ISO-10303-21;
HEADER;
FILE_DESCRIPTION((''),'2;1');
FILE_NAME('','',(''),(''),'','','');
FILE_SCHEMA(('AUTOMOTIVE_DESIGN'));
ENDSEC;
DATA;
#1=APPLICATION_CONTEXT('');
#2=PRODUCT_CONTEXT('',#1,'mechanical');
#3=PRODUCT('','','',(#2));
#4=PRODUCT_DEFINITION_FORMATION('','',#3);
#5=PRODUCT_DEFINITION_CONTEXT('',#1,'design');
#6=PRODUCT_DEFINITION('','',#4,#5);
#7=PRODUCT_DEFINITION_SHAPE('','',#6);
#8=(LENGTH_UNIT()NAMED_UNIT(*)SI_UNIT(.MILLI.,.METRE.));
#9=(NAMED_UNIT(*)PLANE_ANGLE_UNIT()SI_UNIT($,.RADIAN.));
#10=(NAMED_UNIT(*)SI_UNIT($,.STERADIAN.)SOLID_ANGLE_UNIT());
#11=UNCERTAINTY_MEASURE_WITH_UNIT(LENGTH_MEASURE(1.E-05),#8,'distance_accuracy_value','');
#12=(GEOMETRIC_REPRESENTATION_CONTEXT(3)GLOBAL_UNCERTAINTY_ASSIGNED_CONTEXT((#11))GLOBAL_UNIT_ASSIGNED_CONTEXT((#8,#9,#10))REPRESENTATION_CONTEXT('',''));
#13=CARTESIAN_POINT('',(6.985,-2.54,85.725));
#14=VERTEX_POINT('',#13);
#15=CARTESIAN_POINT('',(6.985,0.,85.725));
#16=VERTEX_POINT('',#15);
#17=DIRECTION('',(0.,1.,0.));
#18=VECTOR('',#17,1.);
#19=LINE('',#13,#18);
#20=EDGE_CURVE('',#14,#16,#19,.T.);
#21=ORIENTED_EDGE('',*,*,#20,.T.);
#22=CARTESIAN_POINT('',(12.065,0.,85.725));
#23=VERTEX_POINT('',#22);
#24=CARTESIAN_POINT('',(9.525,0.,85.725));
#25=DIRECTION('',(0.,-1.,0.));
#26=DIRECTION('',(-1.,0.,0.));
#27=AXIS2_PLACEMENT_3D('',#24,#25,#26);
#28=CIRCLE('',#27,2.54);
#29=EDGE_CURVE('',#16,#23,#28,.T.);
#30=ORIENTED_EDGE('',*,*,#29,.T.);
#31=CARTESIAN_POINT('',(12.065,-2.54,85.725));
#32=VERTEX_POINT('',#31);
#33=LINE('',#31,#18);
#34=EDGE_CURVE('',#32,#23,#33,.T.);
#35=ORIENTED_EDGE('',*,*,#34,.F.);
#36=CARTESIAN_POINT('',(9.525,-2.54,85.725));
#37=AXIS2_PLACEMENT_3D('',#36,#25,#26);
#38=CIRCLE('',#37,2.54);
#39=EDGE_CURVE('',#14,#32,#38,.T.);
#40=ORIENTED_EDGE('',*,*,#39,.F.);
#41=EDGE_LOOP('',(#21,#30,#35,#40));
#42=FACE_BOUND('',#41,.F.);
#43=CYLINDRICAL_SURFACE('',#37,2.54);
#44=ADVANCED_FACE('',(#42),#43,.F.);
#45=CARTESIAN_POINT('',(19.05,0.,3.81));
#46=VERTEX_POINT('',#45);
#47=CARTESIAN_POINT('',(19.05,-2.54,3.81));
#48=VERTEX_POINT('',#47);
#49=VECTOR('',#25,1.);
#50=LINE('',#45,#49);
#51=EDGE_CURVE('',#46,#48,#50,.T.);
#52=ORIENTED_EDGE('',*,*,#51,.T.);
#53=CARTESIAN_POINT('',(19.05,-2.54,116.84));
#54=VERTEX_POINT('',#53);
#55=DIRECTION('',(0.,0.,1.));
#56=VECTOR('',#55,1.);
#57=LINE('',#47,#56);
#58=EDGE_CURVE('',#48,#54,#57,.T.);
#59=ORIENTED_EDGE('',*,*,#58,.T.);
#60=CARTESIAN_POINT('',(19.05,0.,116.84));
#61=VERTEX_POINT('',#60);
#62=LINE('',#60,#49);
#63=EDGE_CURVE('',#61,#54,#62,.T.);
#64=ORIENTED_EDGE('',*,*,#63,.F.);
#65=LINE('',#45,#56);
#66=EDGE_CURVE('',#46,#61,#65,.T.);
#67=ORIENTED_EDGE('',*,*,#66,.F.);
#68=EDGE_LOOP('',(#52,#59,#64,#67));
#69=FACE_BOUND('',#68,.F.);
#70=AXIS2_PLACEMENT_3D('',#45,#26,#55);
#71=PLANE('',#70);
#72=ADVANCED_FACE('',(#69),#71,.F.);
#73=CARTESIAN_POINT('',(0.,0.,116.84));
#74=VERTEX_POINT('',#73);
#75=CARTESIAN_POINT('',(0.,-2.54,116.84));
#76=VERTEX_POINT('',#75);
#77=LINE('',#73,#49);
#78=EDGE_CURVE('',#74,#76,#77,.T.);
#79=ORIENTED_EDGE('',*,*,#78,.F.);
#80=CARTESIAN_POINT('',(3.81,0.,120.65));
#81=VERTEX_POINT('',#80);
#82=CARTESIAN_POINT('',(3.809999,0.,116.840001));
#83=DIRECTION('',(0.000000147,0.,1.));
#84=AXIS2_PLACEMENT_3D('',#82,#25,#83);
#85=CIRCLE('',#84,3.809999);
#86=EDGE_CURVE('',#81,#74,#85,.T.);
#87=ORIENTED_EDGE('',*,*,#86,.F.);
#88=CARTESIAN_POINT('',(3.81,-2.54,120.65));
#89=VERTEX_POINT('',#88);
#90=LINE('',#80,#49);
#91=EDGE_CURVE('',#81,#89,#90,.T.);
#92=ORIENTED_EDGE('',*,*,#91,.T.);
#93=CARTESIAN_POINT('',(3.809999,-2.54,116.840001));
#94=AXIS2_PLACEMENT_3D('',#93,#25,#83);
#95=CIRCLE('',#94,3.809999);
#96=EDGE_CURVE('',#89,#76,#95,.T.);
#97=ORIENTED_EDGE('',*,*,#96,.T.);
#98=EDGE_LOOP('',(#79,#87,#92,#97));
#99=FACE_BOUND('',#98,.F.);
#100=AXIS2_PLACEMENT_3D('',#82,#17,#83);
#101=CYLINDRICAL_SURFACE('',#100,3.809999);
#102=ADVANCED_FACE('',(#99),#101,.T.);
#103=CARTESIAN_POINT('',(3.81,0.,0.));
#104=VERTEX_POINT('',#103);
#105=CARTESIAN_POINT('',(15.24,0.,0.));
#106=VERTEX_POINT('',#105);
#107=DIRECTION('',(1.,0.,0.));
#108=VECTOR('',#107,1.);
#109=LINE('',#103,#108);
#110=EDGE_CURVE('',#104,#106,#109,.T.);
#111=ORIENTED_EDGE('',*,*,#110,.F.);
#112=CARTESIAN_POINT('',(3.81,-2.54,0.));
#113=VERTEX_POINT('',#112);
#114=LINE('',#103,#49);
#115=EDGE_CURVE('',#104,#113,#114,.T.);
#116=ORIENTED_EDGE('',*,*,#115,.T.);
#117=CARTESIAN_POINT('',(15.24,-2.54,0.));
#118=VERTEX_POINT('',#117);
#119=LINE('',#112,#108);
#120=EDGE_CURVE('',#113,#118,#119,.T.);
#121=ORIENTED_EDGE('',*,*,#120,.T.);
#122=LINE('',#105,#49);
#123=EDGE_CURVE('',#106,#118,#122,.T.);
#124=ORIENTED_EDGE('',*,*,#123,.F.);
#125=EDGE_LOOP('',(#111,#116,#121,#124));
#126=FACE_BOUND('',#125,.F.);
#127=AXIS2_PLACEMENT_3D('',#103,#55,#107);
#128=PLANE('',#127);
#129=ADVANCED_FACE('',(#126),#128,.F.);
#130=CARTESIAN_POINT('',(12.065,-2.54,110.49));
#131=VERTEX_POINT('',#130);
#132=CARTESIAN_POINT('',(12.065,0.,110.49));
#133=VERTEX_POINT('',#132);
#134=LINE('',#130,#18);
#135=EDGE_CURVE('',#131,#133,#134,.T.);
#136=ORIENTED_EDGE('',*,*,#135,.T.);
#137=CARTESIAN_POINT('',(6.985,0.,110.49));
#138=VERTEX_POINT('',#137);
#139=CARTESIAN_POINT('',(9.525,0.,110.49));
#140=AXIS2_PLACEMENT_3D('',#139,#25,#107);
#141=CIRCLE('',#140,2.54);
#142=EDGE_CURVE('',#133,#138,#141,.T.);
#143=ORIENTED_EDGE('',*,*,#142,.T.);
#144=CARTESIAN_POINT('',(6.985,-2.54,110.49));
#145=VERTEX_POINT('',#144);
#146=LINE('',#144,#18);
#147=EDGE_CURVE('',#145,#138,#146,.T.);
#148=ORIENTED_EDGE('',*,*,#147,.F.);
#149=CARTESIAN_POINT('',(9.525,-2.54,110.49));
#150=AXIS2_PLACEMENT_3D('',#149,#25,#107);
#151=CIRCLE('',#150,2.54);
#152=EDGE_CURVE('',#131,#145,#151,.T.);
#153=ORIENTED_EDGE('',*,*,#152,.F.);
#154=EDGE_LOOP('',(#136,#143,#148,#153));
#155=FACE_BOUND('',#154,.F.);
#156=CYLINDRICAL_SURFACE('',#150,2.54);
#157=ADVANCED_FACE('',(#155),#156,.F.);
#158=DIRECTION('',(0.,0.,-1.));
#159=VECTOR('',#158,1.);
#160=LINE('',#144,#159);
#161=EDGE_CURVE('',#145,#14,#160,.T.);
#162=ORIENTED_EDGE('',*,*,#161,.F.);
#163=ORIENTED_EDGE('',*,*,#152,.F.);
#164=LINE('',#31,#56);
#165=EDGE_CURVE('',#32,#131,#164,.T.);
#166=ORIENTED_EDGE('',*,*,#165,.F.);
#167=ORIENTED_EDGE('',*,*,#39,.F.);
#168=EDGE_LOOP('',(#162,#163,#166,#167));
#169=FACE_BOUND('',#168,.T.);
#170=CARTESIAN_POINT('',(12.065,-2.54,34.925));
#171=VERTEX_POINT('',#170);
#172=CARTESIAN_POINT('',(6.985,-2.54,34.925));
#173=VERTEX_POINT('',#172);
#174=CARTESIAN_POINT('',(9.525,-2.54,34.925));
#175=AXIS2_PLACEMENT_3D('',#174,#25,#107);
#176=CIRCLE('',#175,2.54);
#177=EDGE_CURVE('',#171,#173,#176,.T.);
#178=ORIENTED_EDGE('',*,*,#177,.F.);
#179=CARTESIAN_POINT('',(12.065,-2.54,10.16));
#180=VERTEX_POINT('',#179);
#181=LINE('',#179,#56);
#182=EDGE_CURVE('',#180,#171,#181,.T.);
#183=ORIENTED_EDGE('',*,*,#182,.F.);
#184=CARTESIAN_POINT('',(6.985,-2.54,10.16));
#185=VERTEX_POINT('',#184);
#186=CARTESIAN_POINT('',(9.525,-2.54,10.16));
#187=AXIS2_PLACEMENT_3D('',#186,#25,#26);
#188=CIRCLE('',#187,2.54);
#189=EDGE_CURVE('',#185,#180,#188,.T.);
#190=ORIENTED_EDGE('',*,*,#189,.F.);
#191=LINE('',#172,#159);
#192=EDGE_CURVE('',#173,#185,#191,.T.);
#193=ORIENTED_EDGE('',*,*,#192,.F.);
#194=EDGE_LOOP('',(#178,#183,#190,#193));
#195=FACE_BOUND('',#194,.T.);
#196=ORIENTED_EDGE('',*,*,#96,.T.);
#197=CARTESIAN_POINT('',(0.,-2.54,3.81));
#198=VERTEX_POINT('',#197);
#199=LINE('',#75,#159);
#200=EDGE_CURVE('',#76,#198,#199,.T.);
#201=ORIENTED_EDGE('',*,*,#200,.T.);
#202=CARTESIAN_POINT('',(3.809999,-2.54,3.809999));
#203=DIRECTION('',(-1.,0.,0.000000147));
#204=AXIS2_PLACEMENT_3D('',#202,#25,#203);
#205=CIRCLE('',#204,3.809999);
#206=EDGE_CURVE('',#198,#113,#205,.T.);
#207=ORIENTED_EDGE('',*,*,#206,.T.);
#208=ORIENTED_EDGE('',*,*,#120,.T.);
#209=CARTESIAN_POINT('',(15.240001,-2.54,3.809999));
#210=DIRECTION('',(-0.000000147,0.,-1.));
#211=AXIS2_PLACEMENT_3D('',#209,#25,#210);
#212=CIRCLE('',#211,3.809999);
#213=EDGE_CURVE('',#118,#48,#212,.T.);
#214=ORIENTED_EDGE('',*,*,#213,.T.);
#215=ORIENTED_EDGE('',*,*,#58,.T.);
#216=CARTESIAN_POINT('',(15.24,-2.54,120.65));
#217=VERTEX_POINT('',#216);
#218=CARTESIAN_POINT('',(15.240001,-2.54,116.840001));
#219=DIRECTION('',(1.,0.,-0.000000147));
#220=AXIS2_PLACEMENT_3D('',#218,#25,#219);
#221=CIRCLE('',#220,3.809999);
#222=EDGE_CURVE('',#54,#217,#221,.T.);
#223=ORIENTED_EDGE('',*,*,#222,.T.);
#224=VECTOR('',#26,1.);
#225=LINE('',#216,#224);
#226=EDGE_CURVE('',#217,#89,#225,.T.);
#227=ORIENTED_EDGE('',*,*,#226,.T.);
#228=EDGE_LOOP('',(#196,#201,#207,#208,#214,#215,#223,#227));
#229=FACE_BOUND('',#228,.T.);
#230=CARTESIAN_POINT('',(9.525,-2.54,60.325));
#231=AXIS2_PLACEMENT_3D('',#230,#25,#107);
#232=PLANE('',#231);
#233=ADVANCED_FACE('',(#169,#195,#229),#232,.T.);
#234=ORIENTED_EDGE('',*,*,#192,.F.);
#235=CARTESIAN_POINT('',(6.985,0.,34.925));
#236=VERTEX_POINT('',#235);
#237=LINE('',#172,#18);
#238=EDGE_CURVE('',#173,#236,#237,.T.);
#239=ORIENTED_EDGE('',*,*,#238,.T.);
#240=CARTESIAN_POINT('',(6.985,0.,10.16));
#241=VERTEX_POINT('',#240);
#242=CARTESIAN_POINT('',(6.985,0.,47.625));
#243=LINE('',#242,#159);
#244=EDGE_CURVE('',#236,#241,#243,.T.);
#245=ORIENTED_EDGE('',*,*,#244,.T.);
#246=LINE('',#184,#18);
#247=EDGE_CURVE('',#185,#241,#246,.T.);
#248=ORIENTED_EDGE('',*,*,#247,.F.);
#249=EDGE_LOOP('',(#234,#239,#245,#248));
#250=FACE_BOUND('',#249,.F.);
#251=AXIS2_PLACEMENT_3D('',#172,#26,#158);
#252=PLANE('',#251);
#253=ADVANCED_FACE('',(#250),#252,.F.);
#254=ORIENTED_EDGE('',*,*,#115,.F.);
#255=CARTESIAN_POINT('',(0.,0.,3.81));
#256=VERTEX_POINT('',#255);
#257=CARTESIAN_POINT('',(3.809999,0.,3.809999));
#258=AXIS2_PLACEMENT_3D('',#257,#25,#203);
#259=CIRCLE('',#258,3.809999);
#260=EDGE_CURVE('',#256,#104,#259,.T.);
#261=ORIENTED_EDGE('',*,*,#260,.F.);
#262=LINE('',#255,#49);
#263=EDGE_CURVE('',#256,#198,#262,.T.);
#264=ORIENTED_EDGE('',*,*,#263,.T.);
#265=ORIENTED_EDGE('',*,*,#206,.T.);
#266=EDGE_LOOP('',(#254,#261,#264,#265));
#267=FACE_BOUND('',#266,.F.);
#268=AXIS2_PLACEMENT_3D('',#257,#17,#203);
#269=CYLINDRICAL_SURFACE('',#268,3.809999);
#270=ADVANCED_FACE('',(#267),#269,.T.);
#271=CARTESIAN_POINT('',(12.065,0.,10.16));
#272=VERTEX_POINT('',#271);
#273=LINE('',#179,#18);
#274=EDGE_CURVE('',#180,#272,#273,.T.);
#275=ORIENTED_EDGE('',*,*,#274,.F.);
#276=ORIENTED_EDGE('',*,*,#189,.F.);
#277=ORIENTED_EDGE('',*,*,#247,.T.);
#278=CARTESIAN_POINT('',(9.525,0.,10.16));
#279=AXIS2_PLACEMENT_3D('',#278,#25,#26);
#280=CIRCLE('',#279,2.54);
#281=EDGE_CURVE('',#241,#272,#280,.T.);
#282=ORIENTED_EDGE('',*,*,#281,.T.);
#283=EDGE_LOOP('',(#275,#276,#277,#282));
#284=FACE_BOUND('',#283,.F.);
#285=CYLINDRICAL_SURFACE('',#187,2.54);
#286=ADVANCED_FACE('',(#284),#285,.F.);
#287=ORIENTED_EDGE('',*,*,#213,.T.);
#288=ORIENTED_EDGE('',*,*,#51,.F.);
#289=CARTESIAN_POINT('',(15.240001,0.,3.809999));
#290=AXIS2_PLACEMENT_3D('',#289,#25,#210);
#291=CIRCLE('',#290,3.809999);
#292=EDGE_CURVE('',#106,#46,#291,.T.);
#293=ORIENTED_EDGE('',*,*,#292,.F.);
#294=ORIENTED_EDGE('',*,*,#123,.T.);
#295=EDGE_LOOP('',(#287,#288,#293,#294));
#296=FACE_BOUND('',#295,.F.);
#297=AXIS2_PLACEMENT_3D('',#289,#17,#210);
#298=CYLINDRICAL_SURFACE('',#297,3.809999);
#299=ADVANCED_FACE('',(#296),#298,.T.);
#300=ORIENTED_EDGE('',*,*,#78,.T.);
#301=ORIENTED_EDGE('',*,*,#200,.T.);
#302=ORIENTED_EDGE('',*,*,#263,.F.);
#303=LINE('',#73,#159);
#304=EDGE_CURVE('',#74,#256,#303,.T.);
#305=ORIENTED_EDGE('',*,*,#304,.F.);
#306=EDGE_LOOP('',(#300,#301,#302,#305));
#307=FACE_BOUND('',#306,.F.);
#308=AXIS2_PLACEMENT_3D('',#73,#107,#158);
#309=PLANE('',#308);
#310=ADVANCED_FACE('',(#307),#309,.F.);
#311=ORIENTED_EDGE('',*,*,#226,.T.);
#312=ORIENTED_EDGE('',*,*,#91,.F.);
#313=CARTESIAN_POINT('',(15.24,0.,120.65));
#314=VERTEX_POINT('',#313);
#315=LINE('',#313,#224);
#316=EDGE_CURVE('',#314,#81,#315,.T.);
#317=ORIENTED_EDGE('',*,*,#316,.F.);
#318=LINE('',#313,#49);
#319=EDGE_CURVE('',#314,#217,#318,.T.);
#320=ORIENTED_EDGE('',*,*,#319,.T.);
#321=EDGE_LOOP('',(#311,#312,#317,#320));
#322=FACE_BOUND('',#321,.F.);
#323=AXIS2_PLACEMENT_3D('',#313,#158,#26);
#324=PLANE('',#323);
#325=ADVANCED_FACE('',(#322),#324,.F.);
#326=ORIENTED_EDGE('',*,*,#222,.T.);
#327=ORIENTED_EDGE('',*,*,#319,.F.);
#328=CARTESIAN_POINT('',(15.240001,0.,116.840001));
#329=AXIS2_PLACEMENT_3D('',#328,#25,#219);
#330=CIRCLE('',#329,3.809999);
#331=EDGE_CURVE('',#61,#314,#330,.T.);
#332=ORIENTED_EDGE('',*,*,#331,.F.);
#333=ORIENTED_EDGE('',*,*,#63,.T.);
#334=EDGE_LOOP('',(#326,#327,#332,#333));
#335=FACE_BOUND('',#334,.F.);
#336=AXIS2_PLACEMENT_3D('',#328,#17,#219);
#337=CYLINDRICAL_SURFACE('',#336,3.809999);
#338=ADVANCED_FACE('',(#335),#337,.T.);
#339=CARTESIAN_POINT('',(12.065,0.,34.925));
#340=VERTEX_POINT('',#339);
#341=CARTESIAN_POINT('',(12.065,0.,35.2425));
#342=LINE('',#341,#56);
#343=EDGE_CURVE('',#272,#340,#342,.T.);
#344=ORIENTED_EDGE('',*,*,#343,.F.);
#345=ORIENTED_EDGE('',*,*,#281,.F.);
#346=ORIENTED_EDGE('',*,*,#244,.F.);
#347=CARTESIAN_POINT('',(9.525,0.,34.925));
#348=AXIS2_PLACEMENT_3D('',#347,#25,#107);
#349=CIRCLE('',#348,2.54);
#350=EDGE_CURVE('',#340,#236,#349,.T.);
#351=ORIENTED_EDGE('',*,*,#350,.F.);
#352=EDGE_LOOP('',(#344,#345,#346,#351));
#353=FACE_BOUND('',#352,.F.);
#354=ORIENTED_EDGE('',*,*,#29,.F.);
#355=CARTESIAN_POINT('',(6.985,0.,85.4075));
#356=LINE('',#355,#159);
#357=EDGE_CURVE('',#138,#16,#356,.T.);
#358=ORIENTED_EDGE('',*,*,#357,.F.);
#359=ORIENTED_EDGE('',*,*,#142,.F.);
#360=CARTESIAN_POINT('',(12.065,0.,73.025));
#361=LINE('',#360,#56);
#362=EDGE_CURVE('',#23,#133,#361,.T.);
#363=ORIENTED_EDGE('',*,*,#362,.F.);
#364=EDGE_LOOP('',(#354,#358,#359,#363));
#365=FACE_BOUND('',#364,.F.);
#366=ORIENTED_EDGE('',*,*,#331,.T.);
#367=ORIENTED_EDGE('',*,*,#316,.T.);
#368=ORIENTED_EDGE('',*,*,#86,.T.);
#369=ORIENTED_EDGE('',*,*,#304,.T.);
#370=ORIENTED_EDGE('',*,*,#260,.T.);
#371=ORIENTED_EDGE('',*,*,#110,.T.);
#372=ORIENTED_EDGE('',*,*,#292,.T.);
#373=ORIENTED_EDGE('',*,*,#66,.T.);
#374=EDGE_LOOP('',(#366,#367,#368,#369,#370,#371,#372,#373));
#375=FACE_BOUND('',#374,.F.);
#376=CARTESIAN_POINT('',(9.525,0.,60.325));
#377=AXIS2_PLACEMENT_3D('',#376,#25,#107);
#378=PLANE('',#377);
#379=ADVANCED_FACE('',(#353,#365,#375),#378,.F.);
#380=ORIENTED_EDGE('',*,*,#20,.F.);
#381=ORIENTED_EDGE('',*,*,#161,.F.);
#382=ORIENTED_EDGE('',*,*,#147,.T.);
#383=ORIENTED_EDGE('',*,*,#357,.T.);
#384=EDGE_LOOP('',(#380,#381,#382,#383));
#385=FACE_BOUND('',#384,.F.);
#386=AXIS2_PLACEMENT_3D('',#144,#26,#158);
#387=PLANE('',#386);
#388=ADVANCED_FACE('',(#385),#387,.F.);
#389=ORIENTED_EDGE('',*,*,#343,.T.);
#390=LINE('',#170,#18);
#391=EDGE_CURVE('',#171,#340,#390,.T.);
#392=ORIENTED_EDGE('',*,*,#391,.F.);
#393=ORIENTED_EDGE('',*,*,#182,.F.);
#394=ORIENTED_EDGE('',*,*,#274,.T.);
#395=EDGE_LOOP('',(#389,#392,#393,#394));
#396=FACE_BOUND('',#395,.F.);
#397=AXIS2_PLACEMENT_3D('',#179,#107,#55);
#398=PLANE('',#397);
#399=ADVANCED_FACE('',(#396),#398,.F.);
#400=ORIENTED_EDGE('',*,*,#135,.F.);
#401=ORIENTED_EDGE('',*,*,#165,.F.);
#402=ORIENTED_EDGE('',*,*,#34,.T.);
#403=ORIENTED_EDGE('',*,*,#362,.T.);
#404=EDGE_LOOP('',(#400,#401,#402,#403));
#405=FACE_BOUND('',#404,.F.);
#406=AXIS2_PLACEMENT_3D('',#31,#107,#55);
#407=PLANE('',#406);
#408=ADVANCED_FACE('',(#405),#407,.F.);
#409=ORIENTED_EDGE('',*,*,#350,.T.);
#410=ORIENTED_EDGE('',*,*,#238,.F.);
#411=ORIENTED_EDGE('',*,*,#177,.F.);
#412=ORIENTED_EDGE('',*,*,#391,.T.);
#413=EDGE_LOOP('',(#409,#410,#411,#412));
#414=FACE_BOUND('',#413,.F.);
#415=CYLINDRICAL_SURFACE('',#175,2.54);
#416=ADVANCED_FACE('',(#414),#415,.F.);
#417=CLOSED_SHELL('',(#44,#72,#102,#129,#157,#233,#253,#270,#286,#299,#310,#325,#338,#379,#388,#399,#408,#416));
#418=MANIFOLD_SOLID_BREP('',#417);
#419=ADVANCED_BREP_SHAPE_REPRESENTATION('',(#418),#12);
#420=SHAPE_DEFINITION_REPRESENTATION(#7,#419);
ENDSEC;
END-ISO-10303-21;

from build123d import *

# Parameters (mm, degrees)
F1_DEPTH = 2.54
F3_DEPTH = 2.541


with BuildPart() as f1:
    # F0 (on Front) → F1 (new body)
    with BuildSketch(Plane.XZ):
        with BuildLine():
            ThreePointArc((0, 3.81), (1.115923, 1.115923), (3.81, 0))
            Line((3.81, 0), (15.24, 0))
            ThreePointArc((15.24, 0), (17.934077, 1.115923), (19.05, 3.81))
            Line((19.05, 3.81), (19.05, 116.84))
            ThreePointArc((19.05, 116.84), (17.934077, 119.534077), (15.24, 120.65))
            Line((15.24, 120.65), (3.81, 120.65))
            ThreePointArc((3.81, 120.65), (1.115923, 119.534077), (0, 116.84))
            Line((0, 116.84), (0, 3.81))
        make_face()
    extrude(amount=F1_DEPTH)

    # F2 (on face) → F3 (cut, through all)
    with BuildSketch(Plane.XZ.offset(2.54)):
        with BuildLine():
            ThreePointArc((12.065, 110.49), (9.525, 113.03), (6.985, 110.49))
            Line((6.985, 110.49), (6.985, 85.725))
            ThreePointArc((6.985, 85.725), (9.525, 83.185), (12.065, 85.725))
            Line((12.065, 85.725), (12.065, 110.49))
        make_face()
        with BuildLine():
            ThreePointArc((6.985, 10.16), (9.525, 7.62), (12.065, 10.16))
            Line((12.065, 10.16), (12.065, 34.925))
            ThreePointArc((12.065, 34.925), (9.525, 37.465), (6.985, 34.925))
            Line((6.985, 34.925), (6.985, 10.16))
        make_face()
    extrude(amount=-F3_DEPTH, mode=Mode.SUBTRACT)


solid = f1.part
